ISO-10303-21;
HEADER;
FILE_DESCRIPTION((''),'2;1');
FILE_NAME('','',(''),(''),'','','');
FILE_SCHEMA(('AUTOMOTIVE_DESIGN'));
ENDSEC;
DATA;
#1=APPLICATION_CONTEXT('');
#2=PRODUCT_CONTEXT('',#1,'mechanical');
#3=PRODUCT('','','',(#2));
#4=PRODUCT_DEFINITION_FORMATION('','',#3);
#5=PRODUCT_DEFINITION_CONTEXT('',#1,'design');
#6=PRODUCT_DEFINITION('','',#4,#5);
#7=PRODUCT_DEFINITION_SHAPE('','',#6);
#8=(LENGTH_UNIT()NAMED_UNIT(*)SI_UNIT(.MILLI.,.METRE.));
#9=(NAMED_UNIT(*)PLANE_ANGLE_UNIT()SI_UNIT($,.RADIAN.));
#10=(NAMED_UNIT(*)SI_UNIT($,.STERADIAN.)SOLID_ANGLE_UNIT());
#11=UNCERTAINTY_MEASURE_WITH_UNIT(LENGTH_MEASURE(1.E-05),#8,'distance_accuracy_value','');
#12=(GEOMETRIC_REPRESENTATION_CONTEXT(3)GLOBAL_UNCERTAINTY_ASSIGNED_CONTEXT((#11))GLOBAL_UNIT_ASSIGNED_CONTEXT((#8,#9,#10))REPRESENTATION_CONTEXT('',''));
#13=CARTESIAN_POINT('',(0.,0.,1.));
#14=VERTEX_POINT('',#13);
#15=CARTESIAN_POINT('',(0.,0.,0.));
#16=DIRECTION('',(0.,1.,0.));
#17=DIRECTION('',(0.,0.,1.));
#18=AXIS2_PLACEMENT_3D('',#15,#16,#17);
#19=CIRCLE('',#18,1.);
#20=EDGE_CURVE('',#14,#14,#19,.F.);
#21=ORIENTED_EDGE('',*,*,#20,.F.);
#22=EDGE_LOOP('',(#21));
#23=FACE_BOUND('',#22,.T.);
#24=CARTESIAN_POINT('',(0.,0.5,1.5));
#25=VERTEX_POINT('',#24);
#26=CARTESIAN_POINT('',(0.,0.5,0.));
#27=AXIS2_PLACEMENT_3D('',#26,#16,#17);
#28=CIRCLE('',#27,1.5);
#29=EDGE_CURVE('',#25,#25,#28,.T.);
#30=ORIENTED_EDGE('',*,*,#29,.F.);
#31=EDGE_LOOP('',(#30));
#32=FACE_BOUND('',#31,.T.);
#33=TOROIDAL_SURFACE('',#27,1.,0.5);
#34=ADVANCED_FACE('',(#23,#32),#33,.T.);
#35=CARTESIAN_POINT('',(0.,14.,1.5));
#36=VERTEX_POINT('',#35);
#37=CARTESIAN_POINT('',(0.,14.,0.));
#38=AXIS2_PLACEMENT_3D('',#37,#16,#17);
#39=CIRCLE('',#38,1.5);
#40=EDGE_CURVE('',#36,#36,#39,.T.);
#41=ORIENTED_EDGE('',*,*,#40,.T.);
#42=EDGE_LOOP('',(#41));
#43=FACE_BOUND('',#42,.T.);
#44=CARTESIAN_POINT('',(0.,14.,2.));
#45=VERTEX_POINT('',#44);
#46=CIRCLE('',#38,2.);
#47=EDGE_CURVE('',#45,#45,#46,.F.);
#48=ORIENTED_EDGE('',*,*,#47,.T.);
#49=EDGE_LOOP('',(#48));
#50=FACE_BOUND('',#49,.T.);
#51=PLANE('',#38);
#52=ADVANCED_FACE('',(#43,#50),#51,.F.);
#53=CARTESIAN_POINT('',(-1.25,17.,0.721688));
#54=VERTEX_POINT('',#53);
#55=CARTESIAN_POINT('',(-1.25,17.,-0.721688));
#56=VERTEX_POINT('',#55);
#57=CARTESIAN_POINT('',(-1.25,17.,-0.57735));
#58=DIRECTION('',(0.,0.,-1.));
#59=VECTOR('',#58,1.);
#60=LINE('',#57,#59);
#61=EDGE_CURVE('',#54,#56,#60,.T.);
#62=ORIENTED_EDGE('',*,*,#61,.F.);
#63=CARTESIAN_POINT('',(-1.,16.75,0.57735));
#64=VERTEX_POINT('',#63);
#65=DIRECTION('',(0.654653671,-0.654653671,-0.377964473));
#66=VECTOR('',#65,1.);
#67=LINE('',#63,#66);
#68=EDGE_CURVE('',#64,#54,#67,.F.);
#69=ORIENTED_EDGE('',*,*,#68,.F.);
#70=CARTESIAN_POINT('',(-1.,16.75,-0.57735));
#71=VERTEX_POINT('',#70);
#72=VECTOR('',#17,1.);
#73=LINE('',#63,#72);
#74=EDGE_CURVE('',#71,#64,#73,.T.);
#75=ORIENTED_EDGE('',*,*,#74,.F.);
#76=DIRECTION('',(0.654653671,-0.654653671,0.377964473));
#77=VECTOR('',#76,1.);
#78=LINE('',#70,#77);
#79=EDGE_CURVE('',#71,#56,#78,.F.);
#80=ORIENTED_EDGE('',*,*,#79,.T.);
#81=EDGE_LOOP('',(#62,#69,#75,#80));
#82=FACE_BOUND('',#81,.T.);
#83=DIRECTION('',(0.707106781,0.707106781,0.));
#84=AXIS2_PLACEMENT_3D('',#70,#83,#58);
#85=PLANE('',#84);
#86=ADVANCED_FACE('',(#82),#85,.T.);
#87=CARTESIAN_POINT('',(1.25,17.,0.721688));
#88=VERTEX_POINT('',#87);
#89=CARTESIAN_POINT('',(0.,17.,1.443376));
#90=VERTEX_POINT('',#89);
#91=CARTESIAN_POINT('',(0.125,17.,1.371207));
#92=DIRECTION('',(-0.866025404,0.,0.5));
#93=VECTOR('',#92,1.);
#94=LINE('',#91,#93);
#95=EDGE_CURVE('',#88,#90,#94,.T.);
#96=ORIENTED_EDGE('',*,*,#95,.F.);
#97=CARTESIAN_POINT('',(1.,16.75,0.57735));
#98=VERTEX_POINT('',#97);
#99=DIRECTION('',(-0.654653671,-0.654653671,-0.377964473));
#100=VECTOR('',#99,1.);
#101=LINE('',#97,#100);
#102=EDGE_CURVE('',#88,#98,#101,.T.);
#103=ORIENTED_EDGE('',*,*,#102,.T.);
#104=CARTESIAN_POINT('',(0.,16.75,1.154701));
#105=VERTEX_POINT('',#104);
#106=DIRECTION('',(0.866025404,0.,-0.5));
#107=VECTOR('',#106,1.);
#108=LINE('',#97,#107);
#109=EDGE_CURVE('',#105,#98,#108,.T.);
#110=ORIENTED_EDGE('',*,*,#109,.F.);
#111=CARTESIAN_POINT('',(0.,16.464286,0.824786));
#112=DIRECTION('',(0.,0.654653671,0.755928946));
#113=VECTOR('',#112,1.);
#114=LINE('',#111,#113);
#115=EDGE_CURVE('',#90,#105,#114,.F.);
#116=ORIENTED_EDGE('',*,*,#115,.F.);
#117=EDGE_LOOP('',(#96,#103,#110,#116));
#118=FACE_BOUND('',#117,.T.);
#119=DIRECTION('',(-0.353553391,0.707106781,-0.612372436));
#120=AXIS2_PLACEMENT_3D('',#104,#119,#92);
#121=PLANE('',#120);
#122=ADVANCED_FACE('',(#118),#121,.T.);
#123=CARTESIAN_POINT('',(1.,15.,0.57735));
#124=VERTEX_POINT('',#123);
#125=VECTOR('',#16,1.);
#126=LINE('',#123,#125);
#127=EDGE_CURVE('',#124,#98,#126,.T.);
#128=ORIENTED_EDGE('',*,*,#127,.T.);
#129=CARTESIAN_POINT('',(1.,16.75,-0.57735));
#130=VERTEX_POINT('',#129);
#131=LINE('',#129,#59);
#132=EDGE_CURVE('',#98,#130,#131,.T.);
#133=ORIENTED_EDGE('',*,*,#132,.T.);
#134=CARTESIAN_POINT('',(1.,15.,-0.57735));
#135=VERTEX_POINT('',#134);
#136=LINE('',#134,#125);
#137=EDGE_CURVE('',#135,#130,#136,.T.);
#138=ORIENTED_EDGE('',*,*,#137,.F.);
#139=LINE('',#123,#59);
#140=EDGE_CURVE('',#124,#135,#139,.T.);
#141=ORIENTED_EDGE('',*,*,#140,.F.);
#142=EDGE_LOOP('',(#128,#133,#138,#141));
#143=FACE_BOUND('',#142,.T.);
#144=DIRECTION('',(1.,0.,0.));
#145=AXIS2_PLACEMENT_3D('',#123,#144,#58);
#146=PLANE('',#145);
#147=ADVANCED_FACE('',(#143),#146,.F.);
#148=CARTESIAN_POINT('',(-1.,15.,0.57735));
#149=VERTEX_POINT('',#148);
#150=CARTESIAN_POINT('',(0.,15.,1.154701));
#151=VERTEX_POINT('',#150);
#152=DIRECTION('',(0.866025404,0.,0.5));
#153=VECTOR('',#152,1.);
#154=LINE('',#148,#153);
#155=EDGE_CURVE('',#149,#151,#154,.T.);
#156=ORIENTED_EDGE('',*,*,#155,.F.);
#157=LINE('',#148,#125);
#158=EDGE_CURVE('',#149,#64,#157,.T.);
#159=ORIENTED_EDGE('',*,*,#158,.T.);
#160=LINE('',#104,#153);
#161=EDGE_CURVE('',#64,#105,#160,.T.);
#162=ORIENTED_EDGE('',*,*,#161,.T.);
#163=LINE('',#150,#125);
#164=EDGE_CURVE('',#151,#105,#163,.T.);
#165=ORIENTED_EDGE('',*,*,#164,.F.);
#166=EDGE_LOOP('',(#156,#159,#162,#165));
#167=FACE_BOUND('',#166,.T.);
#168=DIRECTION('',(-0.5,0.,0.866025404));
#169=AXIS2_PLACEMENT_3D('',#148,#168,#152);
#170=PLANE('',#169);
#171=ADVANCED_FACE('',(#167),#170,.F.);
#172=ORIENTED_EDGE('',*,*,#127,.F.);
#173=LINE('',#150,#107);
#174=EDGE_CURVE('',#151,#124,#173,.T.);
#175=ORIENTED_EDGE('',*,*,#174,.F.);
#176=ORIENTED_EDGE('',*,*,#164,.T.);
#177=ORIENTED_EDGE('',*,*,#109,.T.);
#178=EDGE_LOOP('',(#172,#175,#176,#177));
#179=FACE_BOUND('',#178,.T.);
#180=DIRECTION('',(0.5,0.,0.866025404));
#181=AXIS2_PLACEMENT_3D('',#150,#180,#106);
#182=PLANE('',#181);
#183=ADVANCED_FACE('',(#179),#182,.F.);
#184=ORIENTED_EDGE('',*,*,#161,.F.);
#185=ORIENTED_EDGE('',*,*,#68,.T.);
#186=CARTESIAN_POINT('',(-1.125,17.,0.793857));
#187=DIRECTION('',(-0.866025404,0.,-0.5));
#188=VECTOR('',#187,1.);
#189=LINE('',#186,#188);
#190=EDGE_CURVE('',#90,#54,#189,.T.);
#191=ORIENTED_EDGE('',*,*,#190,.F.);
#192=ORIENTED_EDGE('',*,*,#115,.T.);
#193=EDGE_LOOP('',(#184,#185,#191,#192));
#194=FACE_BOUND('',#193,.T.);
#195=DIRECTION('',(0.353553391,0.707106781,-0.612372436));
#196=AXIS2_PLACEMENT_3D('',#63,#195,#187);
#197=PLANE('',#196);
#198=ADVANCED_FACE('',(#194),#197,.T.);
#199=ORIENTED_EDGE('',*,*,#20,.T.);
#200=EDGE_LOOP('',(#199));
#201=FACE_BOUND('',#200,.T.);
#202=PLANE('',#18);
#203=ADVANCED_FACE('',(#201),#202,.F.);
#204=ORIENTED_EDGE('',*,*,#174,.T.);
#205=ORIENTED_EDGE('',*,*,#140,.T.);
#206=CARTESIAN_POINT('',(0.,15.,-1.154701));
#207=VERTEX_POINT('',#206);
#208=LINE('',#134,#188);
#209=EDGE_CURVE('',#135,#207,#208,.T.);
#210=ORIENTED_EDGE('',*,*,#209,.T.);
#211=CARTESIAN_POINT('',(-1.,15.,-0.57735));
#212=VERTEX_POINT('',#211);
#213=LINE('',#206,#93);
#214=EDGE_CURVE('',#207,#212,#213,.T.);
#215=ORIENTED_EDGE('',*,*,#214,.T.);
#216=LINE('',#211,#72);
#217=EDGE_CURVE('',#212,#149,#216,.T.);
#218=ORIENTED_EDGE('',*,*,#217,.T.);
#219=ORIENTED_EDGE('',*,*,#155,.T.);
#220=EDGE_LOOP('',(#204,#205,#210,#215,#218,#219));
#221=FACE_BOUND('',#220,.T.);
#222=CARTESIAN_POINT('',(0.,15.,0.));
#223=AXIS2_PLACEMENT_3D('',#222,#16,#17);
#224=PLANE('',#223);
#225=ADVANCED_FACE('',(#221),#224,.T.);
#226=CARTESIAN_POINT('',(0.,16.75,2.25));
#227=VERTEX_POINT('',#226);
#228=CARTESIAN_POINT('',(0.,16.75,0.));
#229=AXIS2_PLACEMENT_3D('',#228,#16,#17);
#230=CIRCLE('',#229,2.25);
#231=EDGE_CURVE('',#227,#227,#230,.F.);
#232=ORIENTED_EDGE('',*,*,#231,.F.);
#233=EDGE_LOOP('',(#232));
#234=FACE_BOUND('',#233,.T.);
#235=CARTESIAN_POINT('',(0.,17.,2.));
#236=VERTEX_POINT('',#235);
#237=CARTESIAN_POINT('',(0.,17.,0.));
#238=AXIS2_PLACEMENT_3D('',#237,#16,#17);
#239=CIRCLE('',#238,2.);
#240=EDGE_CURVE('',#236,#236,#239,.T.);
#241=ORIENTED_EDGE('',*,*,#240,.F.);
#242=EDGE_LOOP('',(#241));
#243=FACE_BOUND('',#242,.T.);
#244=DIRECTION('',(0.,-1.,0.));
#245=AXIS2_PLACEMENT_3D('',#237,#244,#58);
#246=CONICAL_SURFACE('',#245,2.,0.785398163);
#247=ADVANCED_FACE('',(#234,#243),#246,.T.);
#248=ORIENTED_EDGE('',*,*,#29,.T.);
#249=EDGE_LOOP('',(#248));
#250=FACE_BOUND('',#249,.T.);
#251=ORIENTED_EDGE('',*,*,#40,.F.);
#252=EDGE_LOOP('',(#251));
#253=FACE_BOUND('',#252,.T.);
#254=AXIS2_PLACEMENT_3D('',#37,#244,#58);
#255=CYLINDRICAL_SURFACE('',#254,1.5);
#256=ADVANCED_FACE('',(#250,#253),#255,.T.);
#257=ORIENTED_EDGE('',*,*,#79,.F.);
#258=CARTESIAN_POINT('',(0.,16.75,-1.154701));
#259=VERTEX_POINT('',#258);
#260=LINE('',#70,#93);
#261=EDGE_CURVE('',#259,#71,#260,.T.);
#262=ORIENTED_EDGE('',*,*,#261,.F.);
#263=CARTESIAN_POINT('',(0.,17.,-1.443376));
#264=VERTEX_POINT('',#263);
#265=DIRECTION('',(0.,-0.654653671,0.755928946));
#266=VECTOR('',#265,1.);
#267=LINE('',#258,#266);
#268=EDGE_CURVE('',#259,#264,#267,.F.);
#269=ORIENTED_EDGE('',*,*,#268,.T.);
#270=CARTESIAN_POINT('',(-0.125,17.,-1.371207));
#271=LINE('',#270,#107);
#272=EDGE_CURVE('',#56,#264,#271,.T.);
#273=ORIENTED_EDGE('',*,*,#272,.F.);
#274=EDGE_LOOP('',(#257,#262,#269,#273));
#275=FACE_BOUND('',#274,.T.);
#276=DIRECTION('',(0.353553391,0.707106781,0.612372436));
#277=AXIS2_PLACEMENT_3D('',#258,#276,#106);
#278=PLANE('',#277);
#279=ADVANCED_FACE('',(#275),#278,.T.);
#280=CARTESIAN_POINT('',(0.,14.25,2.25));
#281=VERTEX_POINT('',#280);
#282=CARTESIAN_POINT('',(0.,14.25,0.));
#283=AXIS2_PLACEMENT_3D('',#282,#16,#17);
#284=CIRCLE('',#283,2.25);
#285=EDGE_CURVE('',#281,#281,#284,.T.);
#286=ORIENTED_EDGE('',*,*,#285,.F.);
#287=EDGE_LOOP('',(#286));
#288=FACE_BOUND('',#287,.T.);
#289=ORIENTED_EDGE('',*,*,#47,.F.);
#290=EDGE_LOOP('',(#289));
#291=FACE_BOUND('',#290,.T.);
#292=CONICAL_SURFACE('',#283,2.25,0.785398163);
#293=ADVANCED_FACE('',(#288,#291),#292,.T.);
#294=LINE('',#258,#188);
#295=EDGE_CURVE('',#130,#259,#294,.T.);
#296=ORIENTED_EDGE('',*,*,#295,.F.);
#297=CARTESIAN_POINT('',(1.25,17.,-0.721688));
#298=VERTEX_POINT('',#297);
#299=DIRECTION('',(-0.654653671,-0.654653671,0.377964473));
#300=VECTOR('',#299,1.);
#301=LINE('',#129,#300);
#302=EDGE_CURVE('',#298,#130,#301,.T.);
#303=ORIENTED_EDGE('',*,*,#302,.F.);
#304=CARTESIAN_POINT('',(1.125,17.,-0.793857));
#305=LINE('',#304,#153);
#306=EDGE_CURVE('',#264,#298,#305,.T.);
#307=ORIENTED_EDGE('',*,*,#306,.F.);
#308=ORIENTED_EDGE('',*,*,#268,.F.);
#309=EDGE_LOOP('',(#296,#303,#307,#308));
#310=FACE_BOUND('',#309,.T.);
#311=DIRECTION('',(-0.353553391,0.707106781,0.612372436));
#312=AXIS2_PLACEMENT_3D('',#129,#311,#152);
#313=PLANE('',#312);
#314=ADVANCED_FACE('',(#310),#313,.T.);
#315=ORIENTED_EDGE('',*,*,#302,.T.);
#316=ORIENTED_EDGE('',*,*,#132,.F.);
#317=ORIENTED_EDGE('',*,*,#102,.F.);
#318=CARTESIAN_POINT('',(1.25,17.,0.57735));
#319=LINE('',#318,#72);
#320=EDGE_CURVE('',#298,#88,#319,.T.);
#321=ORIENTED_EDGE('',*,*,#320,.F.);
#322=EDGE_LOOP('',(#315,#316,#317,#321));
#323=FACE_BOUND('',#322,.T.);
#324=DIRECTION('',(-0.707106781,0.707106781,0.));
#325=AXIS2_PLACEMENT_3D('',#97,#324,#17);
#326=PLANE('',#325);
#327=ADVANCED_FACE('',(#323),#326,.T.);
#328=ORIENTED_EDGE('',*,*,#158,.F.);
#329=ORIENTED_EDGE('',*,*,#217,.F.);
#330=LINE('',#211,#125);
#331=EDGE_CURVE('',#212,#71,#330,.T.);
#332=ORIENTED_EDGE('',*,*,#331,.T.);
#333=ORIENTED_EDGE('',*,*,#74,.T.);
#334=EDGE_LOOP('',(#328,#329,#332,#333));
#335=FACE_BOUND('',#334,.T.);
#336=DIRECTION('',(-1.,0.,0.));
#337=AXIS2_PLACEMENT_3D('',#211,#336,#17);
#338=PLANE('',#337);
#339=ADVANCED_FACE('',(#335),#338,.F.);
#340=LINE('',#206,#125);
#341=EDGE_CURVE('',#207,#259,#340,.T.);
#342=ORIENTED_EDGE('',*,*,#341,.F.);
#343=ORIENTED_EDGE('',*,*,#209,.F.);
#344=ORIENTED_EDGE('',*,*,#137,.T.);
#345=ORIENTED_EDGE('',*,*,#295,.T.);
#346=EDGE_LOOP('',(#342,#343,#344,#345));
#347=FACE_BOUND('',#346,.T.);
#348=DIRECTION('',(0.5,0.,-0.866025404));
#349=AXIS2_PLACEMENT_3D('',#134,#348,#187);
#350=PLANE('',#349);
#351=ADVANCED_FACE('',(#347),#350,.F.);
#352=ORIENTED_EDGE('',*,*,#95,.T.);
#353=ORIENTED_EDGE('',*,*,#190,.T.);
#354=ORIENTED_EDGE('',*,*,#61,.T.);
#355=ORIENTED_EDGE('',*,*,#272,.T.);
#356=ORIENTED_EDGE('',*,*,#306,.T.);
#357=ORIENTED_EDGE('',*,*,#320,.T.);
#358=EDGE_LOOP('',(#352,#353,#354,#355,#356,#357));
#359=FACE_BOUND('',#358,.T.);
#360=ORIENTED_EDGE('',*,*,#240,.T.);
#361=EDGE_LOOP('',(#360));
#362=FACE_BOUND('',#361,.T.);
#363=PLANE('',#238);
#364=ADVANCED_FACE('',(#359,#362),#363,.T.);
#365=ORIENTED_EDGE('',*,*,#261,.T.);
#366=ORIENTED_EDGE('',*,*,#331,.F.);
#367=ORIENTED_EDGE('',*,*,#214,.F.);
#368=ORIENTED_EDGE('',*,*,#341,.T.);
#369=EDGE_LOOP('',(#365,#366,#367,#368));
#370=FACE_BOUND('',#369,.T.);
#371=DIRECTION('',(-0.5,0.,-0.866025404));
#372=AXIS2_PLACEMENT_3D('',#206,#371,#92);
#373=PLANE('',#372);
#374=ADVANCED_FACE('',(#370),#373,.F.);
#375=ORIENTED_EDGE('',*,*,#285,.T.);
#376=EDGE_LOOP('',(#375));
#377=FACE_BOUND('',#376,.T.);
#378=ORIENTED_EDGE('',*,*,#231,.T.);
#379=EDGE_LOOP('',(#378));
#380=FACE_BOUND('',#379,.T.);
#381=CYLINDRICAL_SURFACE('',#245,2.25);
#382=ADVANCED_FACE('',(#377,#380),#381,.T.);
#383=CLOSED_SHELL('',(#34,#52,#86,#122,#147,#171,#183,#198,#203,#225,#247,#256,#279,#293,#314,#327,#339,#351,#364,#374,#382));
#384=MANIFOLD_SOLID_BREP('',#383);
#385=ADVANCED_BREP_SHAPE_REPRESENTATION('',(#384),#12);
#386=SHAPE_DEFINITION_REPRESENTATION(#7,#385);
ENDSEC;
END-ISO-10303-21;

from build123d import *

# Parameters (mm, degrees)
SKETCH1_R           = 1.5
BOSS_EXTRUDE1_DEPTH = 14
SKETCH2_R           = 2.25
BOSS_EXTRUDE2_DEPTH = 3
CUT_EXTRUDE1_DEPTH  = 2
CHAMFER1_SIZE       = 0.25
FILLET1_R           = 0.5


with BuildPart() as part:
    # Sketch1 → Boss-Extrude1 (new body)
    with BuildSketch(Plane(origin=(0, 0, 0), x_dir=(1, 0, 0), z_dir=(0, 1, 0))):
        with Locations(Location((0, 0, 0), (0, 0, 270))):
            Circle(SKETCH1_R)
    extrude(amount=BOSS_EXTRUDE1_DEPTH)

    # Sketch2 → Boss-Extrude2 (add)
    with BuildSketch(Plane(origin=(0, 14, 0), x_dir=(1, 0, 0), z_dir=(0, 1, 0))):
        with Locations(Location((0, 0, 0), (0, 0, 270))):
            Circle(SKETCH2_R)
    extrude(amount=BOSS_EXTRUDE2_DEPTH)

    # Sketch3 → Cut-Extrude1 (cut)
    with BuildSketch(Plane(origin=(0, 17, 0), x_dir=(1, 0, 0), z_dir=(0, 1, 0))):
        Polygon((0, 1.154700538), (-1, 0.577350269), (-1, -0.577350269), (0, -1.154700538), (1, -0.577350269), (1, 0.577350269), align=None)
    extrude(amount=-CUT_EXTRUDE1_DEPTH, mode=Mode.SUBTRACT)

    # Chamfer1
    chamfer1_edges = [part.edges().sort_by_distance(p)[0] for p in [
        (0.5, 17, -0.866025404),
        (-0.5, 17, -0.866025404),
        (-1, 17, 0),
        (-0.5, 17, 0.866025404),
        (0.5, 17, 0.866025404),
        (1, 17, 0),
        (0, 14, -2.25),
        (0, 17, -2.25),
    ]]
    chamfer(chamfer1_edges, length=CHAMFER1_SIZE)

    # Fillet1
    fillet1_edges = [part.edges().sort_by_distance(p)[0] for p in [
        (0, 0, -1.5),
    ]]
    fillet(fillet1_edges, radius=FILLET1_R)


solid = part.part
